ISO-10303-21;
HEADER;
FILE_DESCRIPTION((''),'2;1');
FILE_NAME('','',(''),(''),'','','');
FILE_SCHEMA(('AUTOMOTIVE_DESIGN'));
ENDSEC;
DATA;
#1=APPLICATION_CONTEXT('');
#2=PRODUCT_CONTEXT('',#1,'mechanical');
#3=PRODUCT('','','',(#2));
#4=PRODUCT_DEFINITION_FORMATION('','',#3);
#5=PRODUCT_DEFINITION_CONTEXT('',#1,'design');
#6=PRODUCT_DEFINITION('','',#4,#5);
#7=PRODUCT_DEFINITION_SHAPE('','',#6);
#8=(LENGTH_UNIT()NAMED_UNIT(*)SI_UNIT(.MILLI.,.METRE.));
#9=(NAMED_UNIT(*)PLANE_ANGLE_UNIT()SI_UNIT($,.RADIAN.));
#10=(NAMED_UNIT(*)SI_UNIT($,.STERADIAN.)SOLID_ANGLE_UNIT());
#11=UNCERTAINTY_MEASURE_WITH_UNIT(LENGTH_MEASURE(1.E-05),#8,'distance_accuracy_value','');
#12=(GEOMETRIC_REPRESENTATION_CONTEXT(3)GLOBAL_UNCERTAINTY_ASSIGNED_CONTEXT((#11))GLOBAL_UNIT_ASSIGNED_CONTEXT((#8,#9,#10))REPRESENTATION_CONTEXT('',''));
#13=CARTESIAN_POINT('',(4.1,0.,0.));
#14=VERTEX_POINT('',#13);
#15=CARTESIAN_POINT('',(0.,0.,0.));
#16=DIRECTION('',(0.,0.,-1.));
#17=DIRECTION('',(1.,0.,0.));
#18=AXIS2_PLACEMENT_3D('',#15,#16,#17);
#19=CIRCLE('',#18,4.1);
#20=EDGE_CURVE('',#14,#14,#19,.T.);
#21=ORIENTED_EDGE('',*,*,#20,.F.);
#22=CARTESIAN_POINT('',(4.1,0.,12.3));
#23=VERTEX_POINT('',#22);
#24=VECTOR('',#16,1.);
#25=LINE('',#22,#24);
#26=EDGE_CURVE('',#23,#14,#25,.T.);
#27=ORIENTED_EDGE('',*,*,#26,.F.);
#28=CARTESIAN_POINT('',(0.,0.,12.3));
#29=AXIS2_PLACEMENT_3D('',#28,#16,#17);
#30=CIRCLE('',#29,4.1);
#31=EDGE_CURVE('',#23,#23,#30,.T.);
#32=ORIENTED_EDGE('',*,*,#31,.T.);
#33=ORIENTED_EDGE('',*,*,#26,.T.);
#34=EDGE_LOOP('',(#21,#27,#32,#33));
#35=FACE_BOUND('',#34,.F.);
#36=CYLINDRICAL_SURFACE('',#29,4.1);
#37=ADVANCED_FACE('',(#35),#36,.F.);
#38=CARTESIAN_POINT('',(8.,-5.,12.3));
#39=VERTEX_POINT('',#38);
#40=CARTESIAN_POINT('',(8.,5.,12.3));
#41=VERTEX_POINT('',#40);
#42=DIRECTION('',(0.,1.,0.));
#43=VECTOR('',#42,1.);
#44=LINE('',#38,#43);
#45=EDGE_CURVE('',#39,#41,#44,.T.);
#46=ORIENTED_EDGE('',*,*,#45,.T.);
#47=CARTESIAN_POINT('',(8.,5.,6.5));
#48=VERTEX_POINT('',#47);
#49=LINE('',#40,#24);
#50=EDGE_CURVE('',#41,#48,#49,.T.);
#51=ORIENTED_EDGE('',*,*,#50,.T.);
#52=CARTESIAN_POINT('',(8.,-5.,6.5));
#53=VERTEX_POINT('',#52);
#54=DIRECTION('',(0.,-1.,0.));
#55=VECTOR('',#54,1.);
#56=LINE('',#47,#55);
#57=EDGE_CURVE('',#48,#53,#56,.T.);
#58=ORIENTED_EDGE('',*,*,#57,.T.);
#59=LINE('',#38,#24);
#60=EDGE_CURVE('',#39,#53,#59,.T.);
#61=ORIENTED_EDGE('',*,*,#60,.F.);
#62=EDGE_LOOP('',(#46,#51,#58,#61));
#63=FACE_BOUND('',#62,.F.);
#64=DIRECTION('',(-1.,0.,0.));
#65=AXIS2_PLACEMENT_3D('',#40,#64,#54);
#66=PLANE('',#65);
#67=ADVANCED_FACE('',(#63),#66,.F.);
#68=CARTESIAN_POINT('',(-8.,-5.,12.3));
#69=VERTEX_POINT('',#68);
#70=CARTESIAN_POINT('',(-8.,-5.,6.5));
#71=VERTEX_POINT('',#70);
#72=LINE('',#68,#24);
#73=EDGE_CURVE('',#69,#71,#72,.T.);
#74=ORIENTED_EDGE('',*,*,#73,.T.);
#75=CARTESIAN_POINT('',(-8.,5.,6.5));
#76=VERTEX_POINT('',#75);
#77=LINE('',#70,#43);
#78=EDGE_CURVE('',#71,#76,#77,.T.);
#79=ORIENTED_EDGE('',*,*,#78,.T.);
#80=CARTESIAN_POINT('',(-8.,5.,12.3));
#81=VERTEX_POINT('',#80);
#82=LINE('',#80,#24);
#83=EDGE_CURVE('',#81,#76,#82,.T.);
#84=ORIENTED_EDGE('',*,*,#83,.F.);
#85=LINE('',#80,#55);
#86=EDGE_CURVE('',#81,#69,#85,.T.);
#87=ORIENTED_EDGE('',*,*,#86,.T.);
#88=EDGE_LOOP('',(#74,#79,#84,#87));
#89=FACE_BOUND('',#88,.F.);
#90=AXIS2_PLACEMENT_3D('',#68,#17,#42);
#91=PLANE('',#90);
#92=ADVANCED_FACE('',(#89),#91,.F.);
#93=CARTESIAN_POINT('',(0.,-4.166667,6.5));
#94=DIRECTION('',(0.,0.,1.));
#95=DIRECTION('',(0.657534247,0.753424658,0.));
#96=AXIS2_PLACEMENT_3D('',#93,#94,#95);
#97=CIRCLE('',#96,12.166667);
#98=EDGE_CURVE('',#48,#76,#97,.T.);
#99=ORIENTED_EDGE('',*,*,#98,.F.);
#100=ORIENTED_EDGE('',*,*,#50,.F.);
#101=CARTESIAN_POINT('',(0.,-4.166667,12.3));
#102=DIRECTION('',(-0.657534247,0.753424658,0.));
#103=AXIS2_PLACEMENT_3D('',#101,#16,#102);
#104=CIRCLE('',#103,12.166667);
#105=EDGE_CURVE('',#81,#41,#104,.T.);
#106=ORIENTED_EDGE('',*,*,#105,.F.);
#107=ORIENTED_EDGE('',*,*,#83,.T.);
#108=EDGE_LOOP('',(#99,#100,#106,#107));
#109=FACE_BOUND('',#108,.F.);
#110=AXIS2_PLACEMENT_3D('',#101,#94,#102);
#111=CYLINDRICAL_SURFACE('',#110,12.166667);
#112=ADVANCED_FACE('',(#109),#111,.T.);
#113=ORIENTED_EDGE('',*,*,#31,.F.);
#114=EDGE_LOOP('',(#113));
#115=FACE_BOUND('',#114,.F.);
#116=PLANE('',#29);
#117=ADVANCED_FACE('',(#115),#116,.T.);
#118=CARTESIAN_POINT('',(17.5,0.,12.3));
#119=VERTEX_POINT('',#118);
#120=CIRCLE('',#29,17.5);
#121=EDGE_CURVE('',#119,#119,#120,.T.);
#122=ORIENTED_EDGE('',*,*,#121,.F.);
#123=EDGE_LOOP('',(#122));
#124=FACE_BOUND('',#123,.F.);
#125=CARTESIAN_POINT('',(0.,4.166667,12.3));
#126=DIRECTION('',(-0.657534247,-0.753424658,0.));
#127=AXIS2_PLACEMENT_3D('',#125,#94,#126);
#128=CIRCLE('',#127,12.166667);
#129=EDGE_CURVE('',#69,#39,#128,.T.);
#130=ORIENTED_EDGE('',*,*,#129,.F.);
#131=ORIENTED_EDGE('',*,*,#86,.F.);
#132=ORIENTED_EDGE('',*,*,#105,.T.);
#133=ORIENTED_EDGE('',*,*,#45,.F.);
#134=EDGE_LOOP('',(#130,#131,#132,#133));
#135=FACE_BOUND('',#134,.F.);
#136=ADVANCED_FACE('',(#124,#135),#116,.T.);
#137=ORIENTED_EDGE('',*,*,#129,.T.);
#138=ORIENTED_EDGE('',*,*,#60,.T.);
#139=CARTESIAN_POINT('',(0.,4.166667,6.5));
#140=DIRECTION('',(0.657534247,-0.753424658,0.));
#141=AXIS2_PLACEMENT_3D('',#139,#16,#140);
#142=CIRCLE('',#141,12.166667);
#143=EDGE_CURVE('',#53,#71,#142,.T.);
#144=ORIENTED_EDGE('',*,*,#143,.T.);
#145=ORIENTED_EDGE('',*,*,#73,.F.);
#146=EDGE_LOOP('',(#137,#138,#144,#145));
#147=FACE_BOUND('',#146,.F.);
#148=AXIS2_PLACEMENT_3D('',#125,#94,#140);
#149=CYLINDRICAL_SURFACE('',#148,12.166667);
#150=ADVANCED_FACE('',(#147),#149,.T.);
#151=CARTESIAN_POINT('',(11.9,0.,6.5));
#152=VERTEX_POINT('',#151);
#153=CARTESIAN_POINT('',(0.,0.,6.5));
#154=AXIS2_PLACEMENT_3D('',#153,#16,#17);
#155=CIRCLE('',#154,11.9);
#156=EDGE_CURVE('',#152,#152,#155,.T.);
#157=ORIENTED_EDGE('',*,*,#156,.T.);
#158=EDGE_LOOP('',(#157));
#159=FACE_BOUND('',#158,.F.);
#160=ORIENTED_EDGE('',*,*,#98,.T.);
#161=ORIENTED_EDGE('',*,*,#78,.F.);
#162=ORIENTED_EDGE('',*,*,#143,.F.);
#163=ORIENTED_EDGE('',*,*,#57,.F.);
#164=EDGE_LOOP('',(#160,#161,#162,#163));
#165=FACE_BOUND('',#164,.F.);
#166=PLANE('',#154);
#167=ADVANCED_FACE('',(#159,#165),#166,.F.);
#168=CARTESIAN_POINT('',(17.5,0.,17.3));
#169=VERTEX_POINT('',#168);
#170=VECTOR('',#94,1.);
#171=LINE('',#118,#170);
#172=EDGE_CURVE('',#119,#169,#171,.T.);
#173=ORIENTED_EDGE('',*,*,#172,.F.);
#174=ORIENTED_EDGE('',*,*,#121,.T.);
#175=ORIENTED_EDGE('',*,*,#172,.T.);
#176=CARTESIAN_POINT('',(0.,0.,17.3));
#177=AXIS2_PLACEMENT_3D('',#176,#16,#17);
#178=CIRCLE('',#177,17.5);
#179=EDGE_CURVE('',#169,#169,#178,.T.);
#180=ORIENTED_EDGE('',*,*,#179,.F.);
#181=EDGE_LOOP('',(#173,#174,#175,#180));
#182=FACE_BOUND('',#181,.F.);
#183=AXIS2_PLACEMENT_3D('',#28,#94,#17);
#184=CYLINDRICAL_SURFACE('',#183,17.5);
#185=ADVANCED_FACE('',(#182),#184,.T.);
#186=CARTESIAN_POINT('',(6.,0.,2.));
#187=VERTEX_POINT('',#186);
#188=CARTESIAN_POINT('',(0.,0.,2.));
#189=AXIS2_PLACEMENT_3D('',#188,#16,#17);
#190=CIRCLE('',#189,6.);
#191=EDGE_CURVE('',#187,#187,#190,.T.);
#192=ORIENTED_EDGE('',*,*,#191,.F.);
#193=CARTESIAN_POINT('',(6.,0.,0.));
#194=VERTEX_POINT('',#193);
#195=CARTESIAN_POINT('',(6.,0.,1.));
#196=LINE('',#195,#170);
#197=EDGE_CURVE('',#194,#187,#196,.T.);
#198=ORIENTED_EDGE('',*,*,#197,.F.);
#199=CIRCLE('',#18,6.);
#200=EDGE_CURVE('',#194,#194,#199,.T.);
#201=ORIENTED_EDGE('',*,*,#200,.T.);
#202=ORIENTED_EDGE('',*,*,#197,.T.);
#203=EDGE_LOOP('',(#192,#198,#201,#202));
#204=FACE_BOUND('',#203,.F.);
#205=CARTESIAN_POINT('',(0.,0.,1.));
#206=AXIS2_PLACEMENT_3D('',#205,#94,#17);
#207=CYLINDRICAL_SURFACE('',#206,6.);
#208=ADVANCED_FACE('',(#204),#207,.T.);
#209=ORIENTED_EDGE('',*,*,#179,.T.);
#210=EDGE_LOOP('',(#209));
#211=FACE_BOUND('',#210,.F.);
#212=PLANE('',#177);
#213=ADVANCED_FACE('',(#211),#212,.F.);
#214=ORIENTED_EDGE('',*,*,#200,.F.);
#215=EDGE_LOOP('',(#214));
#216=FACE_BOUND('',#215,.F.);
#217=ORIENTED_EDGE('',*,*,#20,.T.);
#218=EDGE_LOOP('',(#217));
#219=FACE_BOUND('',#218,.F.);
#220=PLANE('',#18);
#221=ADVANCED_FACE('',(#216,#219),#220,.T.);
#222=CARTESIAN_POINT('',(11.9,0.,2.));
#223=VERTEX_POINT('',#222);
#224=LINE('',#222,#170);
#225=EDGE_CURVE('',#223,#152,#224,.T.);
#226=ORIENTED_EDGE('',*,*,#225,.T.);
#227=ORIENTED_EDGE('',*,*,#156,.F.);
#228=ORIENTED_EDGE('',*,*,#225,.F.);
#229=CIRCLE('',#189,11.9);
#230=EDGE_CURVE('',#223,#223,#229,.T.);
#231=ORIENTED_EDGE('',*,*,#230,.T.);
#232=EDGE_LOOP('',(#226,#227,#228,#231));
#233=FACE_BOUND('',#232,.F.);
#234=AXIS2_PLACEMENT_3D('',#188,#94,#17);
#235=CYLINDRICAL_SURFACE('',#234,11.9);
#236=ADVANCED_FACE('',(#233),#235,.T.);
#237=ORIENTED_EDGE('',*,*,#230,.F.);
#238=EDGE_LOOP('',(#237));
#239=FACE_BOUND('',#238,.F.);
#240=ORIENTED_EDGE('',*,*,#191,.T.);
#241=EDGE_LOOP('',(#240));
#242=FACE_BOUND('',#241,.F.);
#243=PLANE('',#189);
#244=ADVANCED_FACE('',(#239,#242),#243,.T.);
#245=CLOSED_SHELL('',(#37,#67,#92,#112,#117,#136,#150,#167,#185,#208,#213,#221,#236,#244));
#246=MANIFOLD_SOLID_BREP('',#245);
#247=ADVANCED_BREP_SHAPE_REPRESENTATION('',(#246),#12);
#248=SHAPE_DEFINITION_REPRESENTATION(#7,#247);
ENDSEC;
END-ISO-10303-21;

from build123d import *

# Parameters (mm, degrees)
F0_W     = 3.9
F0_H     = 5.8
F0_W_2   = 1.9
F0_H_2   = 2
F2_R     = 4.166667
F3_DEPTH = 6


with BuildPart() as f1:
    # F0 (on Front) → F1 (revolve)
    with BuildSketch(Plane.XZ):
        Polygon((17.5, 17.3), (0, 17.3), (0, 12.3), (4.1, 12.3), (8, 12.3), (17.5, 12.3), align=None)
        with Locations((6.05, 9.4)):
            Rectangle(F0_W, F0_H)
        Polygon((8, 6.5), (4.1, 6.5), (4.1, 2), (6, 2), (11.9, 2), (11.9, 6.5), align=None)
        with Locations((5.05, 1)):
            Rectangle(F0_W_2, F0_H_2)
    revolve(axis=Axis((0, 0, 14.8), (0, 0, -1)))

    # F2 (on face) → F3 (join)
    with BuildSketch(Plane(origin=(0, 0, 12.3), x_dir=(1, 0, 0), z_dir=(0, 0, -1))):
        with BuildLine():
            ThreePointArc((-8, -5), (0, -8), (8, -5))
            Line((8, -5), (8, 5))
            ThreePointArc((8, 5), (0, 8), (-8, 5))
            Line((-8, 5), (-8, -5))
        make_face()
        Circle(F2_R, mode=Mode.SUBTRACT)
    extrude(amount=F3_DEPTH)


solid = f1.part
